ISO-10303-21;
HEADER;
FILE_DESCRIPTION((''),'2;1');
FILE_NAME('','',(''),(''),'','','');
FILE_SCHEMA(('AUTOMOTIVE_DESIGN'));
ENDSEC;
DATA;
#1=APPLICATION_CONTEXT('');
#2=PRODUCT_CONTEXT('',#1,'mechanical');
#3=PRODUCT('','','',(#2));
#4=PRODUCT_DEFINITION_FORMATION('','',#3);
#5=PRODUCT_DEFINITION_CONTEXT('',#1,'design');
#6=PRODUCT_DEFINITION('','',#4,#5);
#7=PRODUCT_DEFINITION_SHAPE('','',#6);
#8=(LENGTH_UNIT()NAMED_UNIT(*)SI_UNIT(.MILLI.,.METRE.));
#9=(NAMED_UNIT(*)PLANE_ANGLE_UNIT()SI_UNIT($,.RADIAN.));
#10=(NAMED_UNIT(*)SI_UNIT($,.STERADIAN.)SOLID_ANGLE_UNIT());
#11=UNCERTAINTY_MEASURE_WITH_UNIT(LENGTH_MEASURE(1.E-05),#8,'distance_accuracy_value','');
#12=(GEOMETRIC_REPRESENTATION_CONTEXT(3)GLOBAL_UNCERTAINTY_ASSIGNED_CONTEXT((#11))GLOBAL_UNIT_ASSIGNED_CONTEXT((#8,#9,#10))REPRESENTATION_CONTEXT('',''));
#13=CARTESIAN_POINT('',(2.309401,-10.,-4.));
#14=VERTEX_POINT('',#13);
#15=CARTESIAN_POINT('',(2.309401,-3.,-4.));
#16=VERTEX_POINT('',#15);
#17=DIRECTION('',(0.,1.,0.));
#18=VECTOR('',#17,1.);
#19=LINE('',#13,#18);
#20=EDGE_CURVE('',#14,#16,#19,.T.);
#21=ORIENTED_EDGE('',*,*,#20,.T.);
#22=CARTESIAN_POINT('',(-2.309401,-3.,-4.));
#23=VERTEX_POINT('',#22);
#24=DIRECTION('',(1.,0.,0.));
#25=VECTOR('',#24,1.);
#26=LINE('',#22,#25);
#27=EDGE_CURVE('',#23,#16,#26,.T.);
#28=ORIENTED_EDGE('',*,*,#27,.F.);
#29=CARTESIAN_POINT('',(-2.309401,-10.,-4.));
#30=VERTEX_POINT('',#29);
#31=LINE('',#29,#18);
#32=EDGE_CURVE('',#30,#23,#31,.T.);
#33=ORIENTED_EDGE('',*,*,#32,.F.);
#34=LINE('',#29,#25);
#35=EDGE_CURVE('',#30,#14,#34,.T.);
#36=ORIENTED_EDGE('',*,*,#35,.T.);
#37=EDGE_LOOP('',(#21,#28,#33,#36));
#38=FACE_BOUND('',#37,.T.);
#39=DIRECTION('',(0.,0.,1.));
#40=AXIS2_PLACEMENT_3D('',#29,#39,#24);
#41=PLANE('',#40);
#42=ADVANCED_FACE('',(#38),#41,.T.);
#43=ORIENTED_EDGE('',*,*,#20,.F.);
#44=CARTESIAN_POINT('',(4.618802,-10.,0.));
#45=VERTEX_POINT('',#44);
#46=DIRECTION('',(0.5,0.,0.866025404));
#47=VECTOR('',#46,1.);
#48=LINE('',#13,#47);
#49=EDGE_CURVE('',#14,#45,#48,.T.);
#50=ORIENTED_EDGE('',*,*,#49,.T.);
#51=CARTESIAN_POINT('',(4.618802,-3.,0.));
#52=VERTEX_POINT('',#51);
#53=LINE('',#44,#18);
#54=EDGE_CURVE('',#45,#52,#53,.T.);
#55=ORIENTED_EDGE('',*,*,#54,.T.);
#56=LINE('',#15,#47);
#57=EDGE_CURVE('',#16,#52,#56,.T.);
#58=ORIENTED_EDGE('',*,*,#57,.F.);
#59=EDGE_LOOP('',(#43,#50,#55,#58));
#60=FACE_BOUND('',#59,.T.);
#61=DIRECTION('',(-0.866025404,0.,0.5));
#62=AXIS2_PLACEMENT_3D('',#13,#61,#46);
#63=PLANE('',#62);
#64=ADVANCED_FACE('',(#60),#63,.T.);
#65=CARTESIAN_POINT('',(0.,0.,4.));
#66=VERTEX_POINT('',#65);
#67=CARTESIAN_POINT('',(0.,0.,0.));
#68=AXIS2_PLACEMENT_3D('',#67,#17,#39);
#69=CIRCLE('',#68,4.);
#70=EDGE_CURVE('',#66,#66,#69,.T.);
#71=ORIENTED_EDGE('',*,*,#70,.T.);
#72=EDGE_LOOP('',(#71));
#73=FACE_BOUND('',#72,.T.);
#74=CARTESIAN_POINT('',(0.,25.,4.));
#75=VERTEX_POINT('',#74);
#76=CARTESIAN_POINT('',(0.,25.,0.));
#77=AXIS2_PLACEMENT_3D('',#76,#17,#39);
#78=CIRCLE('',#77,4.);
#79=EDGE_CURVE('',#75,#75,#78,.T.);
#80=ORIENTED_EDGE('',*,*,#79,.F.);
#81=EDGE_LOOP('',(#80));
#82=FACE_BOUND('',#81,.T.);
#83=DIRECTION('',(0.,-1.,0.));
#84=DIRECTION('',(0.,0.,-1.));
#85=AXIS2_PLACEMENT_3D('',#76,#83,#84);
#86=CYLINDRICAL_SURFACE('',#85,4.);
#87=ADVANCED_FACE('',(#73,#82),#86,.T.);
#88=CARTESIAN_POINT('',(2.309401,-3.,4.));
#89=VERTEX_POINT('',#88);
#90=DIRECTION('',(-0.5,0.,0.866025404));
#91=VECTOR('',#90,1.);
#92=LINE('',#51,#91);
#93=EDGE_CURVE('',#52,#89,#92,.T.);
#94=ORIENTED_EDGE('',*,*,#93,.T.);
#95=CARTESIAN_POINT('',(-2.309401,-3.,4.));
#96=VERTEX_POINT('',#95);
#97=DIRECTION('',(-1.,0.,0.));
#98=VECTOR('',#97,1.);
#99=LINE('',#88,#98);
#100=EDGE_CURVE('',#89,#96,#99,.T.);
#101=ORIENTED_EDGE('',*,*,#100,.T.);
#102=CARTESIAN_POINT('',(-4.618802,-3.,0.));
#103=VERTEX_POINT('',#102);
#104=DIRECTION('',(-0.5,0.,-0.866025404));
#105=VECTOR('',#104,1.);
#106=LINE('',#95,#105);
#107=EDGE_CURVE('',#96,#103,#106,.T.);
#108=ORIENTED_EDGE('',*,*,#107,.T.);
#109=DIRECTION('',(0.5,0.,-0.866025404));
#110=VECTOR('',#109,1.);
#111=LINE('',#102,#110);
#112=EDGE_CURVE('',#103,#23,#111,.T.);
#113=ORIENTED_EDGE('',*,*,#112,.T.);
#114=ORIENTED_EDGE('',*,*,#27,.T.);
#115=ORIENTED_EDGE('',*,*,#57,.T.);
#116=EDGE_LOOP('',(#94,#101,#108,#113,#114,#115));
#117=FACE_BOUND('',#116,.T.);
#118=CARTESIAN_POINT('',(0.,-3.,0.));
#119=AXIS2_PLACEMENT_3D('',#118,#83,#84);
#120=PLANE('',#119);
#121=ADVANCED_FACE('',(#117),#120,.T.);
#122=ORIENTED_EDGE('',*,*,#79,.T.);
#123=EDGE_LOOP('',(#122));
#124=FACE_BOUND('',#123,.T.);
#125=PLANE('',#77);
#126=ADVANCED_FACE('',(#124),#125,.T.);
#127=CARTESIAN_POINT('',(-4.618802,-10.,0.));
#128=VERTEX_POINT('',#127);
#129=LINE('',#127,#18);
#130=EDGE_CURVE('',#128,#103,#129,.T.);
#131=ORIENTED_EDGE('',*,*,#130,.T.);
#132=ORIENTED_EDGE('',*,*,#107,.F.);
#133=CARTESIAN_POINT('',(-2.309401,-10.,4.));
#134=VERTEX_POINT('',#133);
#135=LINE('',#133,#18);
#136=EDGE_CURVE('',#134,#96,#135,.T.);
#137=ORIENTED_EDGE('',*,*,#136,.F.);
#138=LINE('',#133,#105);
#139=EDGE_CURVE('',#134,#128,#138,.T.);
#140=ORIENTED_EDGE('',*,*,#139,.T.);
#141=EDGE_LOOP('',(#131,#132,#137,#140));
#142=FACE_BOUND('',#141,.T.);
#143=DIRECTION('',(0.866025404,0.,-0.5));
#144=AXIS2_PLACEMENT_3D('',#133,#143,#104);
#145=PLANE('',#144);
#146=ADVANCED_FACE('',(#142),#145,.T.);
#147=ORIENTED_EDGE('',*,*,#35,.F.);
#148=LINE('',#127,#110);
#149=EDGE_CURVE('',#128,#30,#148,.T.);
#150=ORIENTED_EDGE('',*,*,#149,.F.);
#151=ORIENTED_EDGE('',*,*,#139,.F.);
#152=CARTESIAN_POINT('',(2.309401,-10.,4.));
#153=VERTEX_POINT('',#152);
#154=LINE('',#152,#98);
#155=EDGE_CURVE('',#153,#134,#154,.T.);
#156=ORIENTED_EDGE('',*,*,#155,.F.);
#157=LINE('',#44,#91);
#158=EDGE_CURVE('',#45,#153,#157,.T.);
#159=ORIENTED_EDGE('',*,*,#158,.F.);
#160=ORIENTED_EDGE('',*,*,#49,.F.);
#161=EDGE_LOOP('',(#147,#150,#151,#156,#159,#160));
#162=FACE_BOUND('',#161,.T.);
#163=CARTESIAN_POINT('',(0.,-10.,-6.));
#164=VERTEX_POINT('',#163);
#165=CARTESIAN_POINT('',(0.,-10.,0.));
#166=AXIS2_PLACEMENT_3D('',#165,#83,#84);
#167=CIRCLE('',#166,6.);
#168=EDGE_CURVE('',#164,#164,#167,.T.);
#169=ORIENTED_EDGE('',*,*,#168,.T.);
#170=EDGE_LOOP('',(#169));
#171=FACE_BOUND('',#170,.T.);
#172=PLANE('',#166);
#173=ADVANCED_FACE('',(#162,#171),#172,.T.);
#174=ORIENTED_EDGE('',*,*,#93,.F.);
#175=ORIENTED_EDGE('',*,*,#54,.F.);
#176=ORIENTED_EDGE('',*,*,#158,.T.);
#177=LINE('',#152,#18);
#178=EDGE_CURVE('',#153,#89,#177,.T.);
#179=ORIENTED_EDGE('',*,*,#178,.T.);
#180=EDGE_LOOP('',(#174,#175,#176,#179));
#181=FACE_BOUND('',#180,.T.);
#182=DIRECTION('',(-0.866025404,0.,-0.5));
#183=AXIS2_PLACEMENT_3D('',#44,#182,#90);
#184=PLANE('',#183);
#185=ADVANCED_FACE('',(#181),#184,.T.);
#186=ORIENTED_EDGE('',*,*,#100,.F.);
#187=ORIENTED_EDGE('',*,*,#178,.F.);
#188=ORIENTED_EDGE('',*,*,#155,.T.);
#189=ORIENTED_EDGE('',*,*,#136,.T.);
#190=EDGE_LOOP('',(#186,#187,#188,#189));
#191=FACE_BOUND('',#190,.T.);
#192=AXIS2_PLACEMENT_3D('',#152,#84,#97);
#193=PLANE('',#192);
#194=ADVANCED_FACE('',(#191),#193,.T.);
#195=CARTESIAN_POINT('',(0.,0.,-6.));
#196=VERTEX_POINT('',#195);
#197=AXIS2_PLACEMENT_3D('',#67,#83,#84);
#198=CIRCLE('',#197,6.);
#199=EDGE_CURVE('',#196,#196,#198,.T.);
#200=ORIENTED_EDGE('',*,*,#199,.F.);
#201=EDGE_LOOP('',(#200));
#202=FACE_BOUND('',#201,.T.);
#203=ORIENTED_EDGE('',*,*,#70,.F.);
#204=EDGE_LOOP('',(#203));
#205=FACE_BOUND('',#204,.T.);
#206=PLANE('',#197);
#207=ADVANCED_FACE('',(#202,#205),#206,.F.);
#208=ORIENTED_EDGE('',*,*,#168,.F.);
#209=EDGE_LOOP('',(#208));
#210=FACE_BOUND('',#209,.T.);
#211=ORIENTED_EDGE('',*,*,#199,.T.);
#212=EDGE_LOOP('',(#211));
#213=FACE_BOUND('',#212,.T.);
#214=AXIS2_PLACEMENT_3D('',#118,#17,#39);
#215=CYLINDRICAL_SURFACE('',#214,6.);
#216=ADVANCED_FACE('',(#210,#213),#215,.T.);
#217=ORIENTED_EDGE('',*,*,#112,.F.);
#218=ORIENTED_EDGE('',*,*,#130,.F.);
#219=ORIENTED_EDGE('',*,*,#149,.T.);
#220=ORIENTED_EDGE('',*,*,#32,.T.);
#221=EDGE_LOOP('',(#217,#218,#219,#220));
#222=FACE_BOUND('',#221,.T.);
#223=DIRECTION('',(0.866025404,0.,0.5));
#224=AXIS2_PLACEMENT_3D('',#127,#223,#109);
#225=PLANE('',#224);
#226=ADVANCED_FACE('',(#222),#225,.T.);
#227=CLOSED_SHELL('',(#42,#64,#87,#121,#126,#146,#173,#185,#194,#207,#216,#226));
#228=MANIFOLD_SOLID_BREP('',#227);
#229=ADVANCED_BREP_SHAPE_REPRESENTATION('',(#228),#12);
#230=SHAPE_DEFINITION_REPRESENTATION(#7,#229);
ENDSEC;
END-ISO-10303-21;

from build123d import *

# Parameters (mm, degrees)
SKETCH1_R           = 4
BOSS_EXTRUDE1_DEPTH = 25
SKETCH2_R           = 6
SKETCH2_R_2         = 4
BOSS_EXTRUDE2_DEPTH = 3
SKETCH3_R           = 6
BOSS_EXTRUDE3_DEPTH = 7


with BuildPart() as part:
    # Sketch1 → Boss-Extrude1 (new body)
    with BuildSketch(Plane(origin=(0, 0, 0), x_dir=(1, 0, 0), z_dir=(0, 1, 0))):
        Circle(SKETCH1_R)
    extrude(amount=BOSS_EXTRUDE1_DEPTH)

    # Sketch2 → Boss-Extrude2 (add)
    with BuildSketch(Plane.XZ):
        Circle(SKETCH2_R)
        Circle(SKETCH2_R_2, mode=Mode.SUBTRACT)
        Circle(SKETCH2_R_2)
        Circle(SKETCH2_R_2)
    extrude(amount=BOSS_EXTRUDE2_DEPTH)

    # Sketch3 → Boss-Extrude3 (add)
    with BuildSketch(Plane.XZ.offset(3)):
        Circle(SKETCH3_R)
        Polygon((4.618802154, 0), (2.309401077, 4), (-2.309401077, 4), (-4.618802154, 0), (-2.309401077, -4), (2.309401077, -4), align=None, mode=Mode.SUBTRACT)
    extrude(amount=BOSS_EXTRUDE3_DEPTH)


solid = part.part
